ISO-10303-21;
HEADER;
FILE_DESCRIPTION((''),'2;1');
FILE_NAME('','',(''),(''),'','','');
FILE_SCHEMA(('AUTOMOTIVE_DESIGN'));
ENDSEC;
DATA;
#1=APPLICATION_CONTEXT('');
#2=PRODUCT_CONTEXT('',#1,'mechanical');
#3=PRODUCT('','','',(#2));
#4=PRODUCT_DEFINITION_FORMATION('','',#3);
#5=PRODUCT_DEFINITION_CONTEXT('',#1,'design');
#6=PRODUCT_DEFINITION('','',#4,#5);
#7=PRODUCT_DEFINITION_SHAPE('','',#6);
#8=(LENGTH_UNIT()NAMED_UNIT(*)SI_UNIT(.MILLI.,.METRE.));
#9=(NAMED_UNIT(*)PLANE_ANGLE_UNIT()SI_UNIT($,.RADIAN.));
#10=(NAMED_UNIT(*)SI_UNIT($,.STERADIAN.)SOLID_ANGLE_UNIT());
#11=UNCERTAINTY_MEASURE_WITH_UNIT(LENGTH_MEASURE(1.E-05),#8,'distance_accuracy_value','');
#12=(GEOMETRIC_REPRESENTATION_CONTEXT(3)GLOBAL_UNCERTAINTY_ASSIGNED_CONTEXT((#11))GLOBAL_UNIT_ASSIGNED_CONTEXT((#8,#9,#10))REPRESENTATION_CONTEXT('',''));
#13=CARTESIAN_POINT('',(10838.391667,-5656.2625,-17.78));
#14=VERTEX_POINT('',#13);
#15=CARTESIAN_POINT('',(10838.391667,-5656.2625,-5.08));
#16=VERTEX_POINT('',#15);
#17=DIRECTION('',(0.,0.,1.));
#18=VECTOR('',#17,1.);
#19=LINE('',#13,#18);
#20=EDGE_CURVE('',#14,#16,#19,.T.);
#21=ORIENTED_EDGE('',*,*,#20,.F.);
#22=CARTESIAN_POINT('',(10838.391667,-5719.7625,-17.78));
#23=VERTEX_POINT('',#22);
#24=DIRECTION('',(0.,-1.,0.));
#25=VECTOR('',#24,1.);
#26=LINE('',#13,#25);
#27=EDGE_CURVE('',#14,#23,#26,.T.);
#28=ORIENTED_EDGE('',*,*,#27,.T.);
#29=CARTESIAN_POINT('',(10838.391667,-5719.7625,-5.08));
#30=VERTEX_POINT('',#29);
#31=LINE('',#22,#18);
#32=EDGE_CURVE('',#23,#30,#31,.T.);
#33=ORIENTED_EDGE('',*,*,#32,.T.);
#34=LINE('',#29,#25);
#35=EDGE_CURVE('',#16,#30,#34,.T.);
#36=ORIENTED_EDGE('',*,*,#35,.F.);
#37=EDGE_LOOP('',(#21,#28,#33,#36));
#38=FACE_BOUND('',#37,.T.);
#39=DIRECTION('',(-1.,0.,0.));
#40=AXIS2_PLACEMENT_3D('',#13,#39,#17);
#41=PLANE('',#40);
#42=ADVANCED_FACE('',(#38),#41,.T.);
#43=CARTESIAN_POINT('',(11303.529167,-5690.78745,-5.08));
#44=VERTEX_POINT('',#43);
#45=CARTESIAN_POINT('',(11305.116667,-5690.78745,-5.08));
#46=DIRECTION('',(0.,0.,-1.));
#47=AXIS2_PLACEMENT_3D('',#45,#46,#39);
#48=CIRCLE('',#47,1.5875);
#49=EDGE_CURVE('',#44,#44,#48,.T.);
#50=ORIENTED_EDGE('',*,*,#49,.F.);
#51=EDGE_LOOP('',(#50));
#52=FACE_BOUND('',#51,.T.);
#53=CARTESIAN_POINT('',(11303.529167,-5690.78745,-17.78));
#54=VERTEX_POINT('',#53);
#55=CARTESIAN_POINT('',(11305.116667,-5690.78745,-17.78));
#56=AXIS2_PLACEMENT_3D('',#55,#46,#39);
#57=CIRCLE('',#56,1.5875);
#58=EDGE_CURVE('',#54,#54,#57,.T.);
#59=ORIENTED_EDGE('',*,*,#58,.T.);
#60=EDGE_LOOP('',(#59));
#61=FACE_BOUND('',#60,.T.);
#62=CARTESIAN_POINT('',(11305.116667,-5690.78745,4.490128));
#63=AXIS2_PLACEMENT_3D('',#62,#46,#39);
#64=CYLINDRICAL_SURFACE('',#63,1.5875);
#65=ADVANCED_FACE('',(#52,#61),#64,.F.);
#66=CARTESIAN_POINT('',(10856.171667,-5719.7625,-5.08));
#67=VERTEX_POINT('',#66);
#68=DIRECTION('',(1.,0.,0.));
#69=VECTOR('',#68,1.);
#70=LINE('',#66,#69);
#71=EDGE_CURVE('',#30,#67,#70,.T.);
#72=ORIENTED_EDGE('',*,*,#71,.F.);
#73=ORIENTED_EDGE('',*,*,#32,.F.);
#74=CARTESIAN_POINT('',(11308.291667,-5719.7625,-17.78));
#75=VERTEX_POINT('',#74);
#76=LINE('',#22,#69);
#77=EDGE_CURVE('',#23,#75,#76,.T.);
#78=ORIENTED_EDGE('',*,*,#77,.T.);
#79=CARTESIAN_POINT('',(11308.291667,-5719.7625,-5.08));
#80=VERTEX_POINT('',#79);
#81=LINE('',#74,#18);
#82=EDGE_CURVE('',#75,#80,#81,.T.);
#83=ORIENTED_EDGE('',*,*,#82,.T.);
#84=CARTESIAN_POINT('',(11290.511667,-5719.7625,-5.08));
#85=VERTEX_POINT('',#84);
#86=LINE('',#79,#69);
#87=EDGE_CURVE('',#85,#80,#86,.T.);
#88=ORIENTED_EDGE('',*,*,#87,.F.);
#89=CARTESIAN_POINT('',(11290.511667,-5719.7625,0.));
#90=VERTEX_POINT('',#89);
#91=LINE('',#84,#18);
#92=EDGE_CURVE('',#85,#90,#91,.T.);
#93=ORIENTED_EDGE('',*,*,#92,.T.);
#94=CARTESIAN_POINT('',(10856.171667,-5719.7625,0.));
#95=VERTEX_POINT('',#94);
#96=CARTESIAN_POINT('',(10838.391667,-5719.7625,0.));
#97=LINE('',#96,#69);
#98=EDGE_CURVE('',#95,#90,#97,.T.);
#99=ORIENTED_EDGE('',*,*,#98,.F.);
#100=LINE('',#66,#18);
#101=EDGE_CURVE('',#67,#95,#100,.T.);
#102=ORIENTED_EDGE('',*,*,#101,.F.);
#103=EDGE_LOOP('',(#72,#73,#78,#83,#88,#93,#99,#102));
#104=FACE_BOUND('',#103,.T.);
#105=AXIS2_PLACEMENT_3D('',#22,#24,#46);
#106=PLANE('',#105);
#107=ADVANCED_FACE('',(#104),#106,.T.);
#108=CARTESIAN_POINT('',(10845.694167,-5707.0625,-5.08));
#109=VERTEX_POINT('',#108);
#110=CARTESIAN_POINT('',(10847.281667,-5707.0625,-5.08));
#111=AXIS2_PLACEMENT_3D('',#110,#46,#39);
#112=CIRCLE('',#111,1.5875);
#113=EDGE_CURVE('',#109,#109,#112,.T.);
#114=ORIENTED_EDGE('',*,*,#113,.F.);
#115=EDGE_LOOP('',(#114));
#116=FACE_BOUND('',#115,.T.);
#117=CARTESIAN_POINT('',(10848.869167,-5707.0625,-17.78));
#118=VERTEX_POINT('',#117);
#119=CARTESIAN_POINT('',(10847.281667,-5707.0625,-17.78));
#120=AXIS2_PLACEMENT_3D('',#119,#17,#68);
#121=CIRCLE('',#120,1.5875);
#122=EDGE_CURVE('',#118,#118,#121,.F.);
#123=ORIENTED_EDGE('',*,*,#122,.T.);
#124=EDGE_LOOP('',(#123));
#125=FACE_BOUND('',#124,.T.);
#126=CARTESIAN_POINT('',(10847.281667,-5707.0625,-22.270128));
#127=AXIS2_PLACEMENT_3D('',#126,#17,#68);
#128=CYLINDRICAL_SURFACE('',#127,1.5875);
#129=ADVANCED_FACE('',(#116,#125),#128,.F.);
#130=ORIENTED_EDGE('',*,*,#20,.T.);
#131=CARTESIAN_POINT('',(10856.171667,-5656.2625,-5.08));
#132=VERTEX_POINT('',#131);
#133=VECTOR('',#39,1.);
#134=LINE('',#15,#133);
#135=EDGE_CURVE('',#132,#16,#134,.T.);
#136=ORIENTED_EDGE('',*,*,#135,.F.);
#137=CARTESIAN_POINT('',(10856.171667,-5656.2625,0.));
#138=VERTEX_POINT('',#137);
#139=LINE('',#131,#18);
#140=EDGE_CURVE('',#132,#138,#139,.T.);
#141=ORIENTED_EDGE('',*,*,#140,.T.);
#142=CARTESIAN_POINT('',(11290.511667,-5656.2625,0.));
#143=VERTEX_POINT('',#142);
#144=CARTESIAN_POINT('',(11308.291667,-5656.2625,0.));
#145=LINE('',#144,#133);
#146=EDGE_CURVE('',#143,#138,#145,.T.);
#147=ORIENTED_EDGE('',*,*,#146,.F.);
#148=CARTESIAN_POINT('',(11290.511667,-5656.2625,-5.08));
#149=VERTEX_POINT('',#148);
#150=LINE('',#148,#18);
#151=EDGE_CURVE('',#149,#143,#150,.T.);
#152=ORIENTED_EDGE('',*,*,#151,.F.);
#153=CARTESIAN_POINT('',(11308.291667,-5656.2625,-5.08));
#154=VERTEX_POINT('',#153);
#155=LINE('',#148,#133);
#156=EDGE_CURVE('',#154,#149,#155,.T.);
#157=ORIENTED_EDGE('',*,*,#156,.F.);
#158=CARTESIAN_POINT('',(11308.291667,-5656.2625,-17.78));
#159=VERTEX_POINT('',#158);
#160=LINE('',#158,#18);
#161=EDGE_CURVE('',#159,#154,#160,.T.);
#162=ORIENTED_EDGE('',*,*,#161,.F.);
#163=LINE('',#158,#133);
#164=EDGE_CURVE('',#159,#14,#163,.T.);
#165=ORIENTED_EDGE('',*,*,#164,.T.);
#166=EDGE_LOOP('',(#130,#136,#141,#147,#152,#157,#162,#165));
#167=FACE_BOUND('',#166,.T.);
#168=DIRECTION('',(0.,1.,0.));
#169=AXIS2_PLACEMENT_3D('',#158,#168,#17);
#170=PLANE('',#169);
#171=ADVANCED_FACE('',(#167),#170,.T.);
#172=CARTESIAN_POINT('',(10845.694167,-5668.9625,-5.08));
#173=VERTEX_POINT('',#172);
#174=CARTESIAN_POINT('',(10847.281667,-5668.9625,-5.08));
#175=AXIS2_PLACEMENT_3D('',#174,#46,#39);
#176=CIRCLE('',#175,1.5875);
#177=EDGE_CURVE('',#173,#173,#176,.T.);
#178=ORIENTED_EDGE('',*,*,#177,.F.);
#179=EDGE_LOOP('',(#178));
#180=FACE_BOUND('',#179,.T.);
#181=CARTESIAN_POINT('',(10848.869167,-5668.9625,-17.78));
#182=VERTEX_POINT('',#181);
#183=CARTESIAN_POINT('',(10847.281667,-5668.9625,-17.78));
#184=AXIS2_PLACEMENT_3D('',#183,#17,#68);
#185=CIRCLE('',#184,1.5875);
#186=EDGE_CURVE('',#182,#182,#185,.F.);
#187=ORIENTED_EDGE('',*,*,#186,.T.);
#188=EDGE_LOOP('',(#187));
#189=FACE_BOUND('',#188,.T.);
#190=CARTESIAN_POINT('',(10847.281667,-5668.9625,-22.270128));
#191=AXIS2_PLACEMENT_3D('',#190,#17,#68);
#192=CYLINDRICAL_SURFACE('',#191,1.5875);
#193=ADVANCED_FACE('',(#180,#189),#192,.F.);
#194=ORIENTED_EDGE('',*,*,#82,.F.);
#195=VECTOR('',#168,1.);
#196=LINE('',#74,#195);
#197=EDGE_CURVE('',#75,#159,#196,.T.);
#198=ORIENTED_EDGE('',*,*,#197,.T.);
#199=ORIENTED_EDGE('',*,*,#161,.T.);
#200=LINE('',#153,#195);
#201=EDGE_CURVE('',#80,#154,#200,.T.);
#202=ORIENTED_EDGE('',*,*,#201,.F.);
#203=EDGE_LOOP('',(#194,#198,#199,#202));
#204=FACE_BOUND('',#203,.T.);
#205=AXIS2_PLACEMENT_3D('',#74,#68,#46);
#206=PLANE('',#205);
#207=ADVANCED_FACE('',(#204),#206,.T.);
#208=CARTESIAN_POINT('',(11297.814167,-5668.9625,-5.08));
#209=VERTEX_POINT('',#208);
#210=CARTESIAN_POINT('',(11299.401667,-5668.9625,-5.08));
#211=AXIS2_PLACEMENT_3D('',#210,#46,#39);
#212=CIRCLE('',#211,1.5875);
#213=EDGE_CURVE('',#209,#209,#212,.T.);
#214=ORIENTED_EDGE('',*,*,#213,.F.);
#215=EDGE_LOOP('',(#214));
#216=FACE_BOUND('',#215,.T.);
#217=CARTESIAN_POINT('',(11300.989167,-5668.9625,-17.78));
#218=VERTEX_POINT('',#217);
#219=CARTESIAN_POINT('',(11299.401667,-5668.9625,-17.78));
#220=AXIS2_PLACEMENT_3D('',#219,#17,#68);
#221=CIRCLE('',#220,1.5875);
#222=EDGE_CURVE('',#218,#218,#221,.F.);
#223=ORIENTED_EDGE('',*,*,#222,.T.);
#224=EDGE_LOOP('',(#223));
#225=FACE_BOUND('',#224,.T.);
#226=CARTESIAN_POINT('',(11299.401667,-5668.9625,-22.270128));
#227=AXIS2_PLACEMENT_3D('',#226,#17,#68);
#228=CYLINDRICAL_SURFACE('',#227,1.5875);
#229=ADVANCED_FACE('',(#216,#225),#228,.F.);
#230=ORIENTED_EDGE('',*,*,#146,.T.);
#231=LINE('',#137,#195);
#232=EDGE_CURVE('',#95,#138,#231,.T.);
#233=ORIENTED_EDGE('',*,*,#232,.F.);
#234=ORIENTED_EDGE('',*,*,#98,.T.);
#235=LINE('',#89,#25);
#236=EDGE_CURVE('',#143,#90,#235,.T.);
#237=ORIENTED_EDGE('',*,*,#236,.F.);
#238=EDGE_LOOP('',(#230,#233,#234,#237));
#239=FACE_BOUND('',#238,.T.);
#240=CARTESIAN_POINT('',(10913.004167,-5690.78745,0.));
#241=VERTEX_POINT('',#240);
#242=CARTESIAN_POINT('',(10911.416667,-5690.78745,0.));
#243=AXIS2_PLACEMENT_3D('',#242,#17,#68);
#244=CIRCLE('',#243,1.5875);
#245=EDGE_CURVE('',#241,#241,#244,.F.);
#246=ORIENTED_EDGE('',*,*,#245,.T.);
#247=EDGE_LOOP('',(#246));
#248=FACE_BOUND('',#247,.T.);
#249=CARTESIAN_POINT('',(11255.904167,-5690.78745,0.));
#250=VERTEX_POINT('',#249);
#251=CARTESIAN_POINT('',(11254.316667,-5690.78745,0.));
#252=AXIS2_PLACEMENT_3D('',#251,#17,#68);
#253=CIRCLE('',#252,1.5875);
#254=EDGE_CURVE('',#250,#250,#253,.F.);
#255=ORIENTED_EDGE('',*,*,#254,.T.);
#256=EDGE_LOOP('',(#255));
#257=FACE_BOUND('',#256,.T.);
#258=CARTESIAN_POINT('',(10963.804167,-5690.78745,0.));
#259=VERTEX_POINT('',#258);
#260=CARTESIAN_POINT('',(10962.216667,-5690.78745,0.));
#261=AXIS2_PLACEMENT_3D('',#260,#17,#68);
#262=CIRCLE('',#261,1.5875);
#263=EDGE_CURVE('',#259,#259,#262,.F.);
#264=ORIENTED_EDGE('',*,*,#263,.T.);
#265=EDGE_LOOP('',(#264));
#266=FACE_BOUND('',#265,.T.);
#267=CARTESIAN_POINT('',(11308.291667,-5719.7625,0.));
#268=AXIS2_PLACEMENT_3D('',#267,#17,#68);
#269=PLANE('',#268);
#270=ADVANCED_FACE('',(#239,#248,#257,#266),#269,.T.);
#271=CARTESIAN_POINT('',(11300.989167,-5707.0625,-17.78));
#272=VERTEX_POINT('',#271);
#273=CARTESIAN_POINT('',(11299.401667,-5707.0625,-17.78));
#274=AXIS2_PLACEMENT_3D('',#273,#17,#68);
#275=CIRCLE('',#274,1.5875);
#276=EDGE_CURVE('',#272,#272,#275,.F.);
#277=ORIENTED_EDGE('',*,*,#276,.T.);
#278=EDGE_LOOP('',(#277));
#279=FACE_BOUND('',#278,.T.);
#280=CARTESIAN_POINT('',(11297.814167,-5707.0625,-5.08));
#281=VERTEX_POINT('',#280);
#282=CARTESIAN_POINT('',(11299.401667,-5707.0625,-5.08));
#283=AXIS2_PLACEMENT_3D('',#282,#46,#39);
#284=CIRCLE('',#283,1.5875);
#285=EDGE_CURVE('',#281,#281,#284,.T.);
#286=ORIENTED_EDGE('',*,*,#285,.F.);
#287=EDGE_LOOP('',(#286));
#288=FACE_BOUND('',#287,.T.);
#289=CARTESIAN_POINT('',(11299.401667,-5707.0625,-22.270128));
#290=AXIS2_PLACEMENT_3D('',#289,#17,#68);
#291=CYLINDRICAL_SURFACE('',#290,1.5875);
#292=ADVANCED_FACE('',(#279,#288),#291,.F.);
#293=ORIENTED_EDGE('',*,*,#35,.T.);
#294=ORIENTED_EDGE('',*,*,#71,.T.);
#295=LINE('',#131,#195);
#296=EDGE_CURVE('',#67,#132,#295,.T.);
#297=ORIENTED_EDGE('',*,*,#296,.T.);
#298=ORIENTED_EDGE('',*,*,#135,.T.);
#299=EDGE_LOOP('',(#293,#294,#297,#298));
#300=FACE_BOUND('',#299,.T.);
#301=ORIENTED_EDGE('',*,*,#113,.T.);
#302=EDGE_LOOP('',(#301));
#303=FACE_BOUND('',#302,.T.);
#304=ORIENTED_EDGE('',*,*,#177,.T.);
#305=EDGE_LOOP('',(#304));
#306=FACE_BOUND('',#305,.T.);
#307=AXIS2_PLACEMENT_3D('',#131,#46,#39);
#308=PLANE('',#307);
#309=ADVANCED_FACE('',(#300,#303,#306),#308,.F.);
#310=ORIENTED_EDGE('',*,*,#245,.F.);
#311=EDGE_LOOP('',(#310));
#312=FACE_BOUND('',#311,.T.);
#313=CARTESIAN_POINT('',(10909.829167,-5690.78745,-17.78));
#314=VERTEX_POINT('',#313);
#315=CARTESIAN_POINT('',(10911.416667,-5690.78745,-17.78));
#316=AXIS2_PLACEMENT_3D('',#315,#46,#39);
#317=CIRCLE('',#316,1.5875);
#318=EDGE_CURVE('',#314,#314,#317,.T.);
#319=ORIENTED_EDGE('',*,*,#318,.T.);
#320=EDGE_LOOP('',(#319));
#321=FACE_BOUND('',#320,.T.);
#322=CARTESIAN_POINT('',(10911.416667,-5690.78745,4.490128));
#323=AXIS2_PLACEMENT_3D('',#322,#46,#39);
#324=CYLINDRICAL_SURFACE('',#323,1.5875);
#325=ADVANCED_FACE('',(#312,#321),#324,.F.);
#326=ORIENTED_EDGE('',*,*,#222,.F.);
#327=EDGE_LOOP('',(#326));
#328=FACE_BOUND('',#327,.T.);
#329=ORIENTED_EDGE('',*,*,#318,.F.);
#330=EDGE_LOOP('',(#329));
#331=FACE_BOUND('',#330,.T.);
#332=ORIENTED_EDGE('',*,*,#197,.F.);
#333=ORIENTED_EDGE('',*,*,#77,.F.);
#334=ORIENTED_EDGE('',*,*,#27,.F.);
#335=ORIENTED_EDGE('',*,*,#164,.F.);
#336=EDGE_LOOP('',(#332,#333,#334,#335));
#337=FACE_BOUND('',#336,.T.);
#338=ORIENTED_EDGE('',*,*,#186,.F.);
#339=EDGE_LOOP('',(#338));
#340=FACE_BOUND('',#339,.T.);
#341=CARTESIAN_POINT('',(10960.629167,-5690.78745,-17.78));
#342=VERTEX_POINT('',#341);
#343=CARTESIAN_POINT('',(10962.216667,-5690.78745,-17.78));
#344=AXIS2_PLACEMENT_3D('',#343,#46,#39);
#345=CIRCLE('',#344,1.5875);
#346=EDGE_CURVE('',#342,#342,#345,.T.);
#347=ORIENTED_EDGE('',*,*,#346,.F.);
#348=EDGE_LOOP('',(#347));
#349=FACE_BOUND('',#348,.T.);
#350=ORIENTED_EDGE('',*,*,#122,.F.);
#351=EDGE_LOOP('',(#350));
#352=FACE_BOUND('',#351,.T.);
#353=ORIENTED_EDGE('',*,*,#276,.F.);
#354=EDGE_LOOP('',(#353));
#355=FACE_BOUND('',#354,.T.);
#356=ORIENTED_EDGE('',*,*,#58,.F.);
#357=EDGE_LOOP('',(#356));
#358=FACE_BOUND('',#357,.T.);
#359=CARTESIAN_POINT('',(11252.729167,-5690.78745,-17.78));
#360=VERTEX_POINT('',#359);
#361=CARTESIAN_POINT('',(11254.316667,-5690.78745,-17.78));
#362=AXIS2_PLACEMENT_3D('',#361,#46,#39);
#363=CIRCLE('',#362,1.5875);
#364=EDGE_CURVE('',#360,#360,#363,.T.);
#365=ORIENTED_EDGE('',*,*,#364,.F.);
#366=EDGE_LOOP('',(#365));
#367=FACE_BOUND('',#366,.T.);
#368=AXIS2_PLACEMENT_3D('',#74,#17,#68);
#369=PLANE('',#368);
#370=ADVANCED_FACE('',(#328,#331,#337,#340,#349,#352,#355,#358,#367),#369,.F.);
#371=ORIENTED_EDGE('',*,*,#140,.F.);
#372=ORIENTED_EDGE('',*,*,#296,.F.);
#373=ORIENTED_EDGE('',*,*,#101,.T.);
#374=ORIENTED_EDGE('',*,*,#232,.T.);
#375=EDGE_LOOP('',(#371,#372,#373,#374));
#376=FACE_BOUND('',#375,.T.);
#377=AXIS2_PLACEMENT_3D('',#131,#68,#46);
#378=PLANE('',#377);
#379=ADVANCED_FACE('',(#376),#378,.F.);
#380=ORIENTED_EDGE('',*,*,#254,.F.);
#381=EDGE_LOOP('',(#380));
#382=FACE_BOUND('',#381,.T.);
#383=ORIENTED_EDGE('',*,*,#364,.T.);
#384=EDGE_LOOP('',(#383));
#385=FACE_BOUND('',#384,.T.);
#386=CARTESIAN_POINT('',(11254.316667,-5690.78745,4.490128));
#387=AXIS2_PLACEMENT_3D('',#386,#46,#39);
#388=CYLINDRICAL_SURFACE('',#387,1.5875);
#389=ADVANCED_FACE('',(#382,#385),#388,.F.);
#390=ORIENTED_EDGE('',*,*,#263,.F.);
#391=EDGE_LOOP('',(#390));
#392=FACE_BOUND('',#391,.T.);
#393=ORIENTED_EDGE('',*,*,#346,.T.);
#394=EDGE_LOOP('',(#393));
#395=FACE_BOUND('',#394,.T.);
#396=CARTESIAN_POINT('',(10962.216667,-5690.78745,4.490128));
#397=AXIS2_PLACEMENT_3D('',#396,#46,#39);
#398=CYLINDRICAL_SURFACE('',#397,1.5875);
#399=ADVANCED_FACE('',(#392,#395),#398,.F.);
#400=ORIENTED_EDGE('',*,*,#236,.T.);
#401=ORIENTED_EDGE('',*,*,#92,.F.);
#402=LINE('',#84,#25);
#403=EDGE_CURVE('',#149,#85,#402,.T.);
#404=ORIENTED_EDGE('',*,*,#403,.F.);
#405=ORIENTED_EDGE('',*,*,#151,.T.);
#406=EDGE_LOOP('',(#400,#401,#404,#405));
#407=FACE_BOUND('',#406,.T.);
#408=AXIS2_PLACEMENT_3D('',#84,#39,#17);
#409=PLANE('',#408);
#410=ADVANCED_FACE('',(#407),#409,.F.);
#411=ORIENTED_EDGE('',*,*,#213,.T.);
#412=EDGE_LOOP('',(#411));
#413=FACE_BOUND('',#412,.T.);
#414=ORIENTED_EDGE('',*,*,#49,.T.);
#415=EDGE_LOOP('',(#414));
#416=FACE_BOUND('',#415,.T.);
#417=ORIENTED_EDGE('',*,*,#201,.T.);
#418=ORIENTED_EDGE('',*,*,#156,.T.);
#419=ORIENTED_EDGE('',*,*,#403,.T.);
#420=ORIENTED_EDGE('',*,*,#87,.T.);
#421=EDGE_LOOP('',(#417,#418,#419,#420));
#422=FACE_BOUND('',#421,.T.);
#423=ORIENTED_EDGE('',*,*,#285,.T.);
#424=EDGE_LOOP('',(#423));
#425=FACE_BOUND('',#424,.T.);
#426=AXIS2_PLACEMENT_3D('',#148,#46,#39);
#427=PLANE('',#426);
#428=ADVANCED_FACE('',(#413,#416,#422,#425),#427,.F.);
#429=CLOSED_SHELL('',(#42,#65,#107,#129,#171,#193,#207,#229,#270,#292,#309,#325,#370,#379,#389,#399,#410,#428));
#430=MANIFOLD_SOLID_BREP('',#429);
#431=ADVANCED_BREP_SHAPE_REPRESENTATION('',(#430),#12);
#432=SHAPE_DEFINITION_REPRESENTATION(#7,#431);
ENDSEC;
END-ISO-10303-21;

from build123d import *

# Parameters (mm, degrees)
SKETCH2_W          = 469.9
SKETCH2_H          = 63.5
EXTRUDE1_DEPTH     = 17.78
SKETCH3_W          = 17.78
SKETCH3_H          = 63.5
CUT_EXTRUDE1_DEPTH = 5.08
SKETCH4_R          = 1.5875
CUT_EXTRUDE2_DEPTH = 17.78
SKETCH5_R          = 1.5875
CUT_EXTRUDE3_DEPTH = 17.78


with BuildPart() as part:
    # Sketch2 → Extrude1 (new body)
    with BuildSketch(Plane.XY):
        with Locations((11073.341666666, -5688.0125)):
            Rectangle(SKETCH2_W, SKETCH2_H)
    extrude(amount=-EXTRUDE1_DEPTH)

    # Sketch3 → Cut-Extrude1 (cut)
    with BuildSketch(Plane.XY):
        with Locations((11299.401666666, -5688.0125)):
            Rectangle(SKETCH3_W, SKETCH3_H)
        with Locations((10847.281666666, -5688.0125)):
            Rectangle(SKETCH3_W, SKETCH3_H)
    extrude(amount=-CUT_EXTRUDE1_DEPTH, mode=Mode.SUBTRACT)

    # Sketch4 → Cut-Extrude2 (cut)
    with BuildSketch(Plane.XY):
        with Locations((10847.281666666, -5668.9625)):
            Circle(SKETCH4_R)
        with Locations((10847.281666666, -5707.0625)):
            Circle(SKETCH4_R)
        with Locations((11299.401666666, -5707.0625)):
            Circle(SKETCH4_R)
        with Locations((11299.401666666, -5668.9625)):
            Circle(SKETCH4_R)
    extrude(amount=-CUT_EXTRUDE2_DEPTH, mode=Mode.SUBTRACT)

    # Sketch5 → Cut-Extrude3 (cut)
    with BuildSketch(Plane(origin=(0, 0, -17.78), x_dir=(-1, 0, 0), z_dir=(0, 0, -1))):
        with Locations((-10911.416666665, -5690.78745)):
            Circle(SKETCH5_R)
        with Locations((-10962.216666665, -5690.78745)):
            Circle(SKETCH5_R)
        with Locations((-11254.316666665, -5690.78745)):
            Circle(SKETCH5_R)
        with Locations((-11305.116666665, -5690.78745)):
            Circle(SKETCH5_R)
    extrude(amount=-CUT_EXTRUDE3_DEPTH, mode=Mode.SUBTRACT)


solid = part.part
